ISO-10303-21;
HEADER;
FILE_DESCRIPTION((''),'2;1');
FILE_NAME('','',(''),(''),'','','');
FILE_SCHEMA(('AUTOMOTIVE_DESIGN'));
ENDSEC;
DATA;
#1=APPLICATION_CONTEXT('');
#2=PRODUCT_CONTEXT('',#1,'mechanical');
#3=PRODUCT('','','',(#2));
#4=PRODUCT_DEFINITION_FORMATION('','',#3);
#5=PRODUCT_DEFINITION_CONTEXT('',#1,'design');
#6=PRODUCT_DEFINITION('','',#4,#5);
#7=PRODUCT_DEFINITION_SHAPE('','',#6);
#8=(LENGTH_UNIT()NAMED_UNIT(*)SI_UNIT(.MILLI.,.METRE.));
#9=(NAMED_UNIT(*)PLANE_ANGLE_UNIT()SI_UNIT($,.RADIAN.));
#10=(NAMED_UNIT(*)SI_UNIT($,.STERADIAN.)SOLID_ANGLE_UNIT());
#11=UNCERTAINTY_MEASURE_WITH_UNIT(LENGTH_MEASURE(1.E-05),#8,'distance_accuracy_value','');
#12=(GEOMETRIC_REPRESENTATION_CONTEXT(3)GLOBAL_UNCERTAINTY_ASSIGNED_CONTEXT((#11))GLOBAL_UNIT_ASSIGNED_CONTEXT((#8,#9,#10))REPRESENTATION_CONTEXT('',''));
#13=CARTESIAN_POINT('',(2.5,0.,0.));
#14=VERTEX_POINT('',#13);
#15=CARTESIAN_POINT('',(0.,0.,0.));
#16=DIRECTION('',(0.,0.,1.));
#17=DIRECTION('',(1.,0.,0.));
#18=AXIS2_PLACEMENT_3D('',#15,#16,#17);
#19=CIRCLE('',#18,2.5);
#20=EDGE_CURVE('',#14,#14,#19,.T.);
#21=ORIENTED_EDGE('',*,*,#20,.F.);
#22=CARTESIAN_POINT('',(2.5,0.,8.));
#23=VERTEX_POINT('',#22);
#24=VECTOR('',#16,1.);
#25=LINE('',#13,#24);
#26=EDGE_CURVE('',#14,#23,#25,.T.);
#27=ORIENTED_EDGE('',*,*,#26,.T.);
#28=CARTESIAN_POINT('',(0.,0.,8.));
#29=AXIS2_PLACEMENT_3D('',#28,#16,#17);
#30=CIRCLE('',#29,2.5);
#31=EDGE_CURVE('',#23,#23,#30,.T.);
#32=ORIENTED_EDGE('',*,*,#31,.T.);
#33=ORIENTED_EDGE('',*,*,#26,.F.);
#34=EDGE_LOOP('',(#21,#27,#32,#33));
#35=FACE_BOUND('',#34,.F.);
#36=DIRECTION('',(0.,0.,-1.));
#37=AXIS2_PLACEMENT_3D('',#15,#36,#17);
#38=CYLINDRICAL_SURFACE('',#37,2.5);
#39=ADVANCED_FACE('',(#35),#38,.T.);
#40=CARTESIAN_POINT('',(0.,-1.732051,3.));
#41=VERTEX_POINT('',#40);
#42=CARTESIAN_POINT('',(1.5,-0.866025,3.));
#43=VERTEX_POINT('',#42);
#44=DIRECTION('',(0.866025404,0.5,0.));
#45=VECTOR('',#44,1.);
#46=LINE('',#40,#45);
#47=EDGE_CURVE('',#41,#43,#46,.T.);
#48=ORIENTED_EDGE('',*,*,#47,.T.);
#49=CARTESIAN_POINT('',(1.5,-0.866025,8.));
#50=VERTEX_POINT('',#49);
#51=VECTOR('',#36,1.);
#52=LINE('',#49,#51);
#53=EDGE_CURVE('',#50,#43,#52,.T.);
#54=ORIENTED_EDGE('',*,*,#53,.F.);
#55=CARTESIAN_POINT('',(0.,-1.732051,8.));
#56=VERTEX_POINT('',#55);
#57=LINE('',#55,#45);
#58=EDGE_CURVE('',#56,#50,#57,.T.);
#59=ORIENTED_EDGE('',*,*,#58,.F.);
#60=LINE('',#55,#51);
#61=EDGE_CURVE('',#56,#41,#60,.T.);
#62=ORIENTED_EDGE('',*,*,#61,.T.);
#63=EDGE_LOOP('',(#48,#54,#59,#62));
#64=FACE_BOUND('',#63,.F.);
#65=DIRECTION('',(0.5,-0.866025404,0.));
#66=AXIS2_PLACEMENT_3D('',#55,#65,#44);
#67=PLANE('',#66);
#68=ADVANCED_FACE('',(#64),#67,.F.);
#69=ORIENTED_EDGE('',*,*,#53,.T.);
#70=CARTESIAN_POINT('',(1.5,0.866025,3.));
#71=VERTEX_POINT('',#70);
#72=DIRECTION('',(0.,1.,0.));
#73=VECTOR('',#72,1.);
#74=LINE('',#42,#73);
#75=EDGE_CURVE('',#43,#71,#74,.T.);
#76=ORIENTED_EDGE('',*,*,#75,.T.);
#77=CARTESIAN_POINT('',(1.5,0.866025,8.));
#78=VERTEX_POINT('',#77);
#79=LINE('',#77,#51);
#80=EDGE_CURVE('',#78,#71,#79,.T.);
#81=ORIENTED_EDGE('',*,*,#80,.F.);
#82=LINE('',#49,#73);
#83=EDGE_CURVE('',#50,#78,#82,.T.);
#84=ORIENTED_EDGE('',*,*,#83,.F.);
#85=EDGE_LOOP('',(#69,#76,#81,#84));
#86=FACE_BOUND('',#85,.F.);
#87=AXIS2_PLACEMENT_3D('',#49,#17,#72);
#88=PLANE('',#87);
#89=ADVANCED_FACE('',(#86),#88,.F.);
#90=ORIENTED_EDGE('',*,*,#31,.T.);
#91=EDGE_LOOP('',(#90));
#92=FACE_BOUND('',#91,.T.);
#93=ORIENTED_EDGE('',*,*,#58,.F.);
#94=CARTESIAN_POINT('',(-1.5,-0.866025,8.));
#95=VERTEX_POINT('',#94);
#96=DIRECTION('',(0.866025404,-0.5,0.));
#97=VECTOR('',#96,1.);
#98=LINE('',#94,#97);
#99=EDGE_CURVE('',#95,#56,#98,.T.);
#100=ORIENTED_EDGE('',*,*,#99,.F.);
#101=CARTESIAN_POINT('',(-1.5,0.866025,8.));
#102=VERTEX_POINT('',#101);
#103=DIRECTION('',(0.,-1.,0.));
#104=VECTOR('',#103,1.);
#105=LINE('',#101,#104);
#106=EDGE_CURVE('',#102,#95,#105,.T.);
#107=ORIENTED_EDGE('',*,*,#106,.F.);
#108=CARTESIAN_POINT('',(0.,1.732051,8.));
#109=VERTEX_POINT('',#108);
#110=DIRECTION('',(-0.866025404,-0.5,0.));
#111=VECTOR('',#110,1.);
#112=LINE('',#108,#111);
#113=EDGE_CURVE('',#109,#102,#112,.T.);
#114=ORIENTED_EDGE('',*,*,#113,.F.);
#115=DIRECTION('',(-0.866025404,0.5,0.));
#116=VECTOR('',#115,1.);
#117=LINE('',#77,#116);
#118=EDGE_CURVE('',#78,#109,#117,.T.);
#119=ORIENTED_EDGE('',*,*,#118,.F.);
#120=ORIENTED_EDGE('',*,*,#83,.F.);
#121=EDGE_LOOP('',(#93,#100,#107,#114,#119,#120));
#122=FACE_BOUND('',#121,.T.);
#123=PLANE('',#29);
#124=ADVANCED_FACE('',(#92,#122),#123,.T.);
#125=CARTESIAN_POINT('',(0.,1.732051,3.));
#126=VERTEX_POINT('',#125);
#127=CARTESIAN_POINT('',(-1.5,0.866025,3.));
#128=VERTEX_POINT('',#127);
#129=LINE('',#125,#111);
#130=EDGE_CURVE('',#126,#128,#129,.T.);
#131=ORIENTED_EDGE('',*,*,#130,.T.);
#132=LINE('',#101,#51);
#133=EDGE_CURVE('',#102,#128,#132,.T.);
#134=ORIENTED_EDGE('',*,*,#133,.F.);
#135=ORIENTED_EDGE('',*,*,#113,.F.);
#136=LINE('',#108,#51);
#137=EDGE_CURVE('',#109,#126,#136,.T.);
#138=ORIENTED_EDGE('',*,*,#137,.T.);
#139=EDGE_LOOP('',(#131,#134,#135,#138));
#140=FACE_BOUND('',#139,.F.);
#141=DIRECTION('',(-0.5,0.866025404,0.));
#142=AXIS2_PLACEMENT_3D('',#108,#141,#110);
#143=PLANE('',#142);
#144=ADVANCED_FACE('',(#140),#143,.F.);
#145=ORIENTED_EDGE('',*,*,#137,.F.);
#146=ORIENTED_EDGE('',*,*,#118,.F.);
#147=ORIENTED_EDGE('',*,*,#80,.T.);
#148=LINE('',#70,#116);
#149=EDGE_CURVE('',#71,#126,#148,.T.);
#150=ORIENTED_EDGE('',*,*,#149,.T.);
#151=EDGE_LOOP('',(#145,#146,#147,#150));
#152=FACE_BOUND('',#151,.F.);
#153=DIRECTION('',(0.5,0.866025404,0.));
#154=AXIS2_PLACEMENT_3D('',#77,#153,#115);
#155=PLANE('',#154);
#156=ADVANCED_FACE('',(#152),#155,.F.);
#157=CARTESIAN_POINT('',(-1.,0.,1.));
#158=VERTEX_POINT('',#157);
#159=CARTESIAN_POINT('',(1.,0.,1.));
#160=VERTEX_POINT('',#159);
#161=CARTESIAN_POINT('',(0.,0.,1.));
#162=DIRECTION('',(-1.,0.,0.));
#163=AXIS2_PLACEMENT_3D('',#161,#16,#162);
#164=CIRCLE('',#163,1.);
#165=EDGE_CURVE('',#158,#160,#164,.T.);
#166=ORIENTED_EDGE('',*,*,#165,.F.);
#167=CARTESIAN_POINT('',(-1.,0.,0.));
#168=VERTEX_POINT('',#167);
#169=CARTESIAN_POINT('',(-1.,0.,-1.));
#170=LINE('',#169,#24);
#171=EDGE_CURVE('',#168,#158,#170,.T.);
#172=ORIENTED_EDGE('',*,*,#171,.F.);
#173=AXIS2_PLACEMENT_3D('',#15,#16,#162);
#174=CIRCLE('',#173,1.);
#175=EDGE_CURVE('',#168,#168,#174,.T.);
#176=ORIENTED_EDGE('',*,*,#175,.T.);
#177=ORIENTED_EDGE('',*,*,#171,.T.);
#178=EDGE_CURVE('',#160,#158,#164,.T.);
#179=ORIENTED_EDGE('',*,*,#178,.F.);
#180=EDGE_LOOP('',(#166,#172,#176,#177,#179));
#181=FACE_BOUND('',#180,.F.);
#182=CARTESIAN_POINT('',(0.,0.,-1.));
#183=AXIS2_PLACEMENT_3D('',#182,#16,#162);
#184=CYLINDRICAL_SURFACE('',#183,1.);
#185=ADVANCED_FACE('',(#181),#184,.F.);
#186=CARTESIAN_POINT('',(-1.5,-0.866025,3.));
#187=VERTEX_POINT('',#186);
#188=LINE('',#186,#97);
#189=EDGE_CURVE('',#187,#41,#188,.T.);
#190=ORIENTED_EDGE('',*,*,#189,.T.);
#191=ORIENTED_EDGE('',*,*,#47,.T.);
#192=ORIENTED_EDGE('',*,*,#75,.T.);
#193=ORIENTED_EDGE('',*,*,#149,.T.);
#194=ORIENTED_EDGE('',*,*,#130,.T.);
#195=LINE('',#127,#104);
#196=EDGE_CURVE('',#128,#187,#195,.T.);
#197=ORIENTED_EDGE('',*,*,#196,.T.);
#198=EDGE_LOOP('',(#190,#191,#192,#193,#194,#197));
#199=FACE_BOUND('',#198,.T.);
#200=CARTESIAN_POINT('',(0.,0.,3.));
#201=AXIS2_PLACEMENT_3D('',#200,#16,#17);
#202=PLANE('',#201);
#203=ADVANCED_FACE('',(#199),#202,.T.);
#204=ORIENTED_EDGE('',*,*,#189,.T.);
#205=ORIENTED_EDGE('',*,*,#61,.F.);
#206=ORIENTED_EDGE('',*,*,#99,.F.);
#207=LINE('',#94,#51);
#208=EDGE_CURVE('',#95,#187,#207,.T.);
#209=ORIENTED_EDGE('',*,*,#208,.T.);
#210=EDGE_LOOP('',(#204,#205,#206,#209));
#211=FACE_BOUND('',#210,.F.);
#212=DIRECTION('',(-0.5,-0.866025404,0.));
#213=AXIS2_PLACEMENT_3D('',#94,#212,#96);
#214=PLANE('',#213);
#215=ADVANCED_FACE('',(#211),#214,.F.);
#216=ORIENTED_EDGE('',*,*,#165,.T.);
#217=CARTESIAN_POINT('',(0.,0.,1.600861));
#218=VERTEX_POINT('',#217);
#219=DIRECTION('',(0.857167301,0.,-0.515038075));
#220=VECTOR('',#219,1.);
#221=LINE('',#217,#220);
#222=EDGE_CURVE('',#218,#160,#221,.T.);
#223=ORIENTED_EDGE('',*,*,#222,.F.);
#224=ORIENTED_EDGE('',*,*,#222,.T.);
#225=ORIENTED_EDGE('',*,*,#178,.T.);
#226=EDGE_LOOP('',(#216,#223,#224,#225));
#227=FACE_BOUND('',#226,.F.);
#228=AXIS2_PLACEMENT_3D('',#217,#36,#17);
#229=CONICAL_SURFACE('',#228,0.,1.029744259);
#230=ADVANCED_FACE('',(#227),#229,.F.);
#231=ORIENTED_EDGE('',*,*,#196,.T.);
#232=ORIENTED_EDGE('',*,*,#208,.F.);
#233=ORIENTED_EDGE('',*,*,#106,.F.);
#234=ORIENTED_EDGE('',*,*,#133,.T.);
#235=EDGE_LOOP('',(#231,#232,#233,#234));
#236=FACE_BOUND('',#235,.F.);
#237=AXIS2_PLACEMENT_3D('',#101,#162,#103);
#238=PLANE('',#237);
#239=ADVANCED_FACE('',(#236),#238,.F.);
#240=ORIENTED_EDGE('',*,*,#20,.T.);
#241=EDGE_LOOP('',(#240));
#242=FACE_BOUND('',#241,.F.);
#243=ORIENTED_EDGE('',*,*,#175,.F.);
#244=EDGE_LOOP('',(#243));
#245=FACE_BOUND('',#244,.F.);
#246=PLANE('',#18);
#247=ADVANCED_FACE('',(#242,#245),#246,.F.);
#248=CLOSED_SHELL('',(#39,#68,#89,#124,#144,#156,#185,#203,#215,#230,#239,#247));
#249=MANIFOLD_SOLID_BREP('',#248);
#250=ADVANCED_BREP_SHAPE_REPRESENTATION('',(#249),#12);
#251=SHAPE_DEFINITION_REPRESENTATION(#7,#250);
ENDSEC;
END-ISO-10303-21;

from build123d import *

# Parameters (mm, degrees)
F0_R     = 2.5
F1_DEPTH = 8
F3_DEPTH = 5
F5_D     = 2
F5_DEPTH = 1
F5_TIP   = 0.600860619


with BuildPart() as f1:
    # F0 (on Top) → F1 (new body)
    with BuildSketch(Plane.XY):
        Circle(F0_R)
    extrude(amount=F1_DEPTH)

    # F2 (on face) → F3 (cut)
    with BuildSketch(Plane.XY.offset(8)):
        Polygon((1.5, -0.8660254038), (1.5, 0.8660254038), (0, 1.7320508076), (-1.5, 0.8660254038), (-1.5, -0.8660254038), (0, -1.7320508076), align=None)
    extrude(amount=-F3_DEPTH, mode=Mode.SUBTRACT)

    # F5
    with Locations(Plane(origin=(0, 0, 0), x_dir=(1, 0, 0), z_dir=(0, 0, -1))):
        with Locations((0, 0)):
            Hole(F5_D / 2, depth=F5_DEPTH)
            with Locations((0, 0, -(F5_DEPTH + F5_TIP / 2))):  # 118° drill point
                Cone(0, F5_D / 2, F5_TIP, mode=Mode.SUBTRACT)


solid = f1.part
